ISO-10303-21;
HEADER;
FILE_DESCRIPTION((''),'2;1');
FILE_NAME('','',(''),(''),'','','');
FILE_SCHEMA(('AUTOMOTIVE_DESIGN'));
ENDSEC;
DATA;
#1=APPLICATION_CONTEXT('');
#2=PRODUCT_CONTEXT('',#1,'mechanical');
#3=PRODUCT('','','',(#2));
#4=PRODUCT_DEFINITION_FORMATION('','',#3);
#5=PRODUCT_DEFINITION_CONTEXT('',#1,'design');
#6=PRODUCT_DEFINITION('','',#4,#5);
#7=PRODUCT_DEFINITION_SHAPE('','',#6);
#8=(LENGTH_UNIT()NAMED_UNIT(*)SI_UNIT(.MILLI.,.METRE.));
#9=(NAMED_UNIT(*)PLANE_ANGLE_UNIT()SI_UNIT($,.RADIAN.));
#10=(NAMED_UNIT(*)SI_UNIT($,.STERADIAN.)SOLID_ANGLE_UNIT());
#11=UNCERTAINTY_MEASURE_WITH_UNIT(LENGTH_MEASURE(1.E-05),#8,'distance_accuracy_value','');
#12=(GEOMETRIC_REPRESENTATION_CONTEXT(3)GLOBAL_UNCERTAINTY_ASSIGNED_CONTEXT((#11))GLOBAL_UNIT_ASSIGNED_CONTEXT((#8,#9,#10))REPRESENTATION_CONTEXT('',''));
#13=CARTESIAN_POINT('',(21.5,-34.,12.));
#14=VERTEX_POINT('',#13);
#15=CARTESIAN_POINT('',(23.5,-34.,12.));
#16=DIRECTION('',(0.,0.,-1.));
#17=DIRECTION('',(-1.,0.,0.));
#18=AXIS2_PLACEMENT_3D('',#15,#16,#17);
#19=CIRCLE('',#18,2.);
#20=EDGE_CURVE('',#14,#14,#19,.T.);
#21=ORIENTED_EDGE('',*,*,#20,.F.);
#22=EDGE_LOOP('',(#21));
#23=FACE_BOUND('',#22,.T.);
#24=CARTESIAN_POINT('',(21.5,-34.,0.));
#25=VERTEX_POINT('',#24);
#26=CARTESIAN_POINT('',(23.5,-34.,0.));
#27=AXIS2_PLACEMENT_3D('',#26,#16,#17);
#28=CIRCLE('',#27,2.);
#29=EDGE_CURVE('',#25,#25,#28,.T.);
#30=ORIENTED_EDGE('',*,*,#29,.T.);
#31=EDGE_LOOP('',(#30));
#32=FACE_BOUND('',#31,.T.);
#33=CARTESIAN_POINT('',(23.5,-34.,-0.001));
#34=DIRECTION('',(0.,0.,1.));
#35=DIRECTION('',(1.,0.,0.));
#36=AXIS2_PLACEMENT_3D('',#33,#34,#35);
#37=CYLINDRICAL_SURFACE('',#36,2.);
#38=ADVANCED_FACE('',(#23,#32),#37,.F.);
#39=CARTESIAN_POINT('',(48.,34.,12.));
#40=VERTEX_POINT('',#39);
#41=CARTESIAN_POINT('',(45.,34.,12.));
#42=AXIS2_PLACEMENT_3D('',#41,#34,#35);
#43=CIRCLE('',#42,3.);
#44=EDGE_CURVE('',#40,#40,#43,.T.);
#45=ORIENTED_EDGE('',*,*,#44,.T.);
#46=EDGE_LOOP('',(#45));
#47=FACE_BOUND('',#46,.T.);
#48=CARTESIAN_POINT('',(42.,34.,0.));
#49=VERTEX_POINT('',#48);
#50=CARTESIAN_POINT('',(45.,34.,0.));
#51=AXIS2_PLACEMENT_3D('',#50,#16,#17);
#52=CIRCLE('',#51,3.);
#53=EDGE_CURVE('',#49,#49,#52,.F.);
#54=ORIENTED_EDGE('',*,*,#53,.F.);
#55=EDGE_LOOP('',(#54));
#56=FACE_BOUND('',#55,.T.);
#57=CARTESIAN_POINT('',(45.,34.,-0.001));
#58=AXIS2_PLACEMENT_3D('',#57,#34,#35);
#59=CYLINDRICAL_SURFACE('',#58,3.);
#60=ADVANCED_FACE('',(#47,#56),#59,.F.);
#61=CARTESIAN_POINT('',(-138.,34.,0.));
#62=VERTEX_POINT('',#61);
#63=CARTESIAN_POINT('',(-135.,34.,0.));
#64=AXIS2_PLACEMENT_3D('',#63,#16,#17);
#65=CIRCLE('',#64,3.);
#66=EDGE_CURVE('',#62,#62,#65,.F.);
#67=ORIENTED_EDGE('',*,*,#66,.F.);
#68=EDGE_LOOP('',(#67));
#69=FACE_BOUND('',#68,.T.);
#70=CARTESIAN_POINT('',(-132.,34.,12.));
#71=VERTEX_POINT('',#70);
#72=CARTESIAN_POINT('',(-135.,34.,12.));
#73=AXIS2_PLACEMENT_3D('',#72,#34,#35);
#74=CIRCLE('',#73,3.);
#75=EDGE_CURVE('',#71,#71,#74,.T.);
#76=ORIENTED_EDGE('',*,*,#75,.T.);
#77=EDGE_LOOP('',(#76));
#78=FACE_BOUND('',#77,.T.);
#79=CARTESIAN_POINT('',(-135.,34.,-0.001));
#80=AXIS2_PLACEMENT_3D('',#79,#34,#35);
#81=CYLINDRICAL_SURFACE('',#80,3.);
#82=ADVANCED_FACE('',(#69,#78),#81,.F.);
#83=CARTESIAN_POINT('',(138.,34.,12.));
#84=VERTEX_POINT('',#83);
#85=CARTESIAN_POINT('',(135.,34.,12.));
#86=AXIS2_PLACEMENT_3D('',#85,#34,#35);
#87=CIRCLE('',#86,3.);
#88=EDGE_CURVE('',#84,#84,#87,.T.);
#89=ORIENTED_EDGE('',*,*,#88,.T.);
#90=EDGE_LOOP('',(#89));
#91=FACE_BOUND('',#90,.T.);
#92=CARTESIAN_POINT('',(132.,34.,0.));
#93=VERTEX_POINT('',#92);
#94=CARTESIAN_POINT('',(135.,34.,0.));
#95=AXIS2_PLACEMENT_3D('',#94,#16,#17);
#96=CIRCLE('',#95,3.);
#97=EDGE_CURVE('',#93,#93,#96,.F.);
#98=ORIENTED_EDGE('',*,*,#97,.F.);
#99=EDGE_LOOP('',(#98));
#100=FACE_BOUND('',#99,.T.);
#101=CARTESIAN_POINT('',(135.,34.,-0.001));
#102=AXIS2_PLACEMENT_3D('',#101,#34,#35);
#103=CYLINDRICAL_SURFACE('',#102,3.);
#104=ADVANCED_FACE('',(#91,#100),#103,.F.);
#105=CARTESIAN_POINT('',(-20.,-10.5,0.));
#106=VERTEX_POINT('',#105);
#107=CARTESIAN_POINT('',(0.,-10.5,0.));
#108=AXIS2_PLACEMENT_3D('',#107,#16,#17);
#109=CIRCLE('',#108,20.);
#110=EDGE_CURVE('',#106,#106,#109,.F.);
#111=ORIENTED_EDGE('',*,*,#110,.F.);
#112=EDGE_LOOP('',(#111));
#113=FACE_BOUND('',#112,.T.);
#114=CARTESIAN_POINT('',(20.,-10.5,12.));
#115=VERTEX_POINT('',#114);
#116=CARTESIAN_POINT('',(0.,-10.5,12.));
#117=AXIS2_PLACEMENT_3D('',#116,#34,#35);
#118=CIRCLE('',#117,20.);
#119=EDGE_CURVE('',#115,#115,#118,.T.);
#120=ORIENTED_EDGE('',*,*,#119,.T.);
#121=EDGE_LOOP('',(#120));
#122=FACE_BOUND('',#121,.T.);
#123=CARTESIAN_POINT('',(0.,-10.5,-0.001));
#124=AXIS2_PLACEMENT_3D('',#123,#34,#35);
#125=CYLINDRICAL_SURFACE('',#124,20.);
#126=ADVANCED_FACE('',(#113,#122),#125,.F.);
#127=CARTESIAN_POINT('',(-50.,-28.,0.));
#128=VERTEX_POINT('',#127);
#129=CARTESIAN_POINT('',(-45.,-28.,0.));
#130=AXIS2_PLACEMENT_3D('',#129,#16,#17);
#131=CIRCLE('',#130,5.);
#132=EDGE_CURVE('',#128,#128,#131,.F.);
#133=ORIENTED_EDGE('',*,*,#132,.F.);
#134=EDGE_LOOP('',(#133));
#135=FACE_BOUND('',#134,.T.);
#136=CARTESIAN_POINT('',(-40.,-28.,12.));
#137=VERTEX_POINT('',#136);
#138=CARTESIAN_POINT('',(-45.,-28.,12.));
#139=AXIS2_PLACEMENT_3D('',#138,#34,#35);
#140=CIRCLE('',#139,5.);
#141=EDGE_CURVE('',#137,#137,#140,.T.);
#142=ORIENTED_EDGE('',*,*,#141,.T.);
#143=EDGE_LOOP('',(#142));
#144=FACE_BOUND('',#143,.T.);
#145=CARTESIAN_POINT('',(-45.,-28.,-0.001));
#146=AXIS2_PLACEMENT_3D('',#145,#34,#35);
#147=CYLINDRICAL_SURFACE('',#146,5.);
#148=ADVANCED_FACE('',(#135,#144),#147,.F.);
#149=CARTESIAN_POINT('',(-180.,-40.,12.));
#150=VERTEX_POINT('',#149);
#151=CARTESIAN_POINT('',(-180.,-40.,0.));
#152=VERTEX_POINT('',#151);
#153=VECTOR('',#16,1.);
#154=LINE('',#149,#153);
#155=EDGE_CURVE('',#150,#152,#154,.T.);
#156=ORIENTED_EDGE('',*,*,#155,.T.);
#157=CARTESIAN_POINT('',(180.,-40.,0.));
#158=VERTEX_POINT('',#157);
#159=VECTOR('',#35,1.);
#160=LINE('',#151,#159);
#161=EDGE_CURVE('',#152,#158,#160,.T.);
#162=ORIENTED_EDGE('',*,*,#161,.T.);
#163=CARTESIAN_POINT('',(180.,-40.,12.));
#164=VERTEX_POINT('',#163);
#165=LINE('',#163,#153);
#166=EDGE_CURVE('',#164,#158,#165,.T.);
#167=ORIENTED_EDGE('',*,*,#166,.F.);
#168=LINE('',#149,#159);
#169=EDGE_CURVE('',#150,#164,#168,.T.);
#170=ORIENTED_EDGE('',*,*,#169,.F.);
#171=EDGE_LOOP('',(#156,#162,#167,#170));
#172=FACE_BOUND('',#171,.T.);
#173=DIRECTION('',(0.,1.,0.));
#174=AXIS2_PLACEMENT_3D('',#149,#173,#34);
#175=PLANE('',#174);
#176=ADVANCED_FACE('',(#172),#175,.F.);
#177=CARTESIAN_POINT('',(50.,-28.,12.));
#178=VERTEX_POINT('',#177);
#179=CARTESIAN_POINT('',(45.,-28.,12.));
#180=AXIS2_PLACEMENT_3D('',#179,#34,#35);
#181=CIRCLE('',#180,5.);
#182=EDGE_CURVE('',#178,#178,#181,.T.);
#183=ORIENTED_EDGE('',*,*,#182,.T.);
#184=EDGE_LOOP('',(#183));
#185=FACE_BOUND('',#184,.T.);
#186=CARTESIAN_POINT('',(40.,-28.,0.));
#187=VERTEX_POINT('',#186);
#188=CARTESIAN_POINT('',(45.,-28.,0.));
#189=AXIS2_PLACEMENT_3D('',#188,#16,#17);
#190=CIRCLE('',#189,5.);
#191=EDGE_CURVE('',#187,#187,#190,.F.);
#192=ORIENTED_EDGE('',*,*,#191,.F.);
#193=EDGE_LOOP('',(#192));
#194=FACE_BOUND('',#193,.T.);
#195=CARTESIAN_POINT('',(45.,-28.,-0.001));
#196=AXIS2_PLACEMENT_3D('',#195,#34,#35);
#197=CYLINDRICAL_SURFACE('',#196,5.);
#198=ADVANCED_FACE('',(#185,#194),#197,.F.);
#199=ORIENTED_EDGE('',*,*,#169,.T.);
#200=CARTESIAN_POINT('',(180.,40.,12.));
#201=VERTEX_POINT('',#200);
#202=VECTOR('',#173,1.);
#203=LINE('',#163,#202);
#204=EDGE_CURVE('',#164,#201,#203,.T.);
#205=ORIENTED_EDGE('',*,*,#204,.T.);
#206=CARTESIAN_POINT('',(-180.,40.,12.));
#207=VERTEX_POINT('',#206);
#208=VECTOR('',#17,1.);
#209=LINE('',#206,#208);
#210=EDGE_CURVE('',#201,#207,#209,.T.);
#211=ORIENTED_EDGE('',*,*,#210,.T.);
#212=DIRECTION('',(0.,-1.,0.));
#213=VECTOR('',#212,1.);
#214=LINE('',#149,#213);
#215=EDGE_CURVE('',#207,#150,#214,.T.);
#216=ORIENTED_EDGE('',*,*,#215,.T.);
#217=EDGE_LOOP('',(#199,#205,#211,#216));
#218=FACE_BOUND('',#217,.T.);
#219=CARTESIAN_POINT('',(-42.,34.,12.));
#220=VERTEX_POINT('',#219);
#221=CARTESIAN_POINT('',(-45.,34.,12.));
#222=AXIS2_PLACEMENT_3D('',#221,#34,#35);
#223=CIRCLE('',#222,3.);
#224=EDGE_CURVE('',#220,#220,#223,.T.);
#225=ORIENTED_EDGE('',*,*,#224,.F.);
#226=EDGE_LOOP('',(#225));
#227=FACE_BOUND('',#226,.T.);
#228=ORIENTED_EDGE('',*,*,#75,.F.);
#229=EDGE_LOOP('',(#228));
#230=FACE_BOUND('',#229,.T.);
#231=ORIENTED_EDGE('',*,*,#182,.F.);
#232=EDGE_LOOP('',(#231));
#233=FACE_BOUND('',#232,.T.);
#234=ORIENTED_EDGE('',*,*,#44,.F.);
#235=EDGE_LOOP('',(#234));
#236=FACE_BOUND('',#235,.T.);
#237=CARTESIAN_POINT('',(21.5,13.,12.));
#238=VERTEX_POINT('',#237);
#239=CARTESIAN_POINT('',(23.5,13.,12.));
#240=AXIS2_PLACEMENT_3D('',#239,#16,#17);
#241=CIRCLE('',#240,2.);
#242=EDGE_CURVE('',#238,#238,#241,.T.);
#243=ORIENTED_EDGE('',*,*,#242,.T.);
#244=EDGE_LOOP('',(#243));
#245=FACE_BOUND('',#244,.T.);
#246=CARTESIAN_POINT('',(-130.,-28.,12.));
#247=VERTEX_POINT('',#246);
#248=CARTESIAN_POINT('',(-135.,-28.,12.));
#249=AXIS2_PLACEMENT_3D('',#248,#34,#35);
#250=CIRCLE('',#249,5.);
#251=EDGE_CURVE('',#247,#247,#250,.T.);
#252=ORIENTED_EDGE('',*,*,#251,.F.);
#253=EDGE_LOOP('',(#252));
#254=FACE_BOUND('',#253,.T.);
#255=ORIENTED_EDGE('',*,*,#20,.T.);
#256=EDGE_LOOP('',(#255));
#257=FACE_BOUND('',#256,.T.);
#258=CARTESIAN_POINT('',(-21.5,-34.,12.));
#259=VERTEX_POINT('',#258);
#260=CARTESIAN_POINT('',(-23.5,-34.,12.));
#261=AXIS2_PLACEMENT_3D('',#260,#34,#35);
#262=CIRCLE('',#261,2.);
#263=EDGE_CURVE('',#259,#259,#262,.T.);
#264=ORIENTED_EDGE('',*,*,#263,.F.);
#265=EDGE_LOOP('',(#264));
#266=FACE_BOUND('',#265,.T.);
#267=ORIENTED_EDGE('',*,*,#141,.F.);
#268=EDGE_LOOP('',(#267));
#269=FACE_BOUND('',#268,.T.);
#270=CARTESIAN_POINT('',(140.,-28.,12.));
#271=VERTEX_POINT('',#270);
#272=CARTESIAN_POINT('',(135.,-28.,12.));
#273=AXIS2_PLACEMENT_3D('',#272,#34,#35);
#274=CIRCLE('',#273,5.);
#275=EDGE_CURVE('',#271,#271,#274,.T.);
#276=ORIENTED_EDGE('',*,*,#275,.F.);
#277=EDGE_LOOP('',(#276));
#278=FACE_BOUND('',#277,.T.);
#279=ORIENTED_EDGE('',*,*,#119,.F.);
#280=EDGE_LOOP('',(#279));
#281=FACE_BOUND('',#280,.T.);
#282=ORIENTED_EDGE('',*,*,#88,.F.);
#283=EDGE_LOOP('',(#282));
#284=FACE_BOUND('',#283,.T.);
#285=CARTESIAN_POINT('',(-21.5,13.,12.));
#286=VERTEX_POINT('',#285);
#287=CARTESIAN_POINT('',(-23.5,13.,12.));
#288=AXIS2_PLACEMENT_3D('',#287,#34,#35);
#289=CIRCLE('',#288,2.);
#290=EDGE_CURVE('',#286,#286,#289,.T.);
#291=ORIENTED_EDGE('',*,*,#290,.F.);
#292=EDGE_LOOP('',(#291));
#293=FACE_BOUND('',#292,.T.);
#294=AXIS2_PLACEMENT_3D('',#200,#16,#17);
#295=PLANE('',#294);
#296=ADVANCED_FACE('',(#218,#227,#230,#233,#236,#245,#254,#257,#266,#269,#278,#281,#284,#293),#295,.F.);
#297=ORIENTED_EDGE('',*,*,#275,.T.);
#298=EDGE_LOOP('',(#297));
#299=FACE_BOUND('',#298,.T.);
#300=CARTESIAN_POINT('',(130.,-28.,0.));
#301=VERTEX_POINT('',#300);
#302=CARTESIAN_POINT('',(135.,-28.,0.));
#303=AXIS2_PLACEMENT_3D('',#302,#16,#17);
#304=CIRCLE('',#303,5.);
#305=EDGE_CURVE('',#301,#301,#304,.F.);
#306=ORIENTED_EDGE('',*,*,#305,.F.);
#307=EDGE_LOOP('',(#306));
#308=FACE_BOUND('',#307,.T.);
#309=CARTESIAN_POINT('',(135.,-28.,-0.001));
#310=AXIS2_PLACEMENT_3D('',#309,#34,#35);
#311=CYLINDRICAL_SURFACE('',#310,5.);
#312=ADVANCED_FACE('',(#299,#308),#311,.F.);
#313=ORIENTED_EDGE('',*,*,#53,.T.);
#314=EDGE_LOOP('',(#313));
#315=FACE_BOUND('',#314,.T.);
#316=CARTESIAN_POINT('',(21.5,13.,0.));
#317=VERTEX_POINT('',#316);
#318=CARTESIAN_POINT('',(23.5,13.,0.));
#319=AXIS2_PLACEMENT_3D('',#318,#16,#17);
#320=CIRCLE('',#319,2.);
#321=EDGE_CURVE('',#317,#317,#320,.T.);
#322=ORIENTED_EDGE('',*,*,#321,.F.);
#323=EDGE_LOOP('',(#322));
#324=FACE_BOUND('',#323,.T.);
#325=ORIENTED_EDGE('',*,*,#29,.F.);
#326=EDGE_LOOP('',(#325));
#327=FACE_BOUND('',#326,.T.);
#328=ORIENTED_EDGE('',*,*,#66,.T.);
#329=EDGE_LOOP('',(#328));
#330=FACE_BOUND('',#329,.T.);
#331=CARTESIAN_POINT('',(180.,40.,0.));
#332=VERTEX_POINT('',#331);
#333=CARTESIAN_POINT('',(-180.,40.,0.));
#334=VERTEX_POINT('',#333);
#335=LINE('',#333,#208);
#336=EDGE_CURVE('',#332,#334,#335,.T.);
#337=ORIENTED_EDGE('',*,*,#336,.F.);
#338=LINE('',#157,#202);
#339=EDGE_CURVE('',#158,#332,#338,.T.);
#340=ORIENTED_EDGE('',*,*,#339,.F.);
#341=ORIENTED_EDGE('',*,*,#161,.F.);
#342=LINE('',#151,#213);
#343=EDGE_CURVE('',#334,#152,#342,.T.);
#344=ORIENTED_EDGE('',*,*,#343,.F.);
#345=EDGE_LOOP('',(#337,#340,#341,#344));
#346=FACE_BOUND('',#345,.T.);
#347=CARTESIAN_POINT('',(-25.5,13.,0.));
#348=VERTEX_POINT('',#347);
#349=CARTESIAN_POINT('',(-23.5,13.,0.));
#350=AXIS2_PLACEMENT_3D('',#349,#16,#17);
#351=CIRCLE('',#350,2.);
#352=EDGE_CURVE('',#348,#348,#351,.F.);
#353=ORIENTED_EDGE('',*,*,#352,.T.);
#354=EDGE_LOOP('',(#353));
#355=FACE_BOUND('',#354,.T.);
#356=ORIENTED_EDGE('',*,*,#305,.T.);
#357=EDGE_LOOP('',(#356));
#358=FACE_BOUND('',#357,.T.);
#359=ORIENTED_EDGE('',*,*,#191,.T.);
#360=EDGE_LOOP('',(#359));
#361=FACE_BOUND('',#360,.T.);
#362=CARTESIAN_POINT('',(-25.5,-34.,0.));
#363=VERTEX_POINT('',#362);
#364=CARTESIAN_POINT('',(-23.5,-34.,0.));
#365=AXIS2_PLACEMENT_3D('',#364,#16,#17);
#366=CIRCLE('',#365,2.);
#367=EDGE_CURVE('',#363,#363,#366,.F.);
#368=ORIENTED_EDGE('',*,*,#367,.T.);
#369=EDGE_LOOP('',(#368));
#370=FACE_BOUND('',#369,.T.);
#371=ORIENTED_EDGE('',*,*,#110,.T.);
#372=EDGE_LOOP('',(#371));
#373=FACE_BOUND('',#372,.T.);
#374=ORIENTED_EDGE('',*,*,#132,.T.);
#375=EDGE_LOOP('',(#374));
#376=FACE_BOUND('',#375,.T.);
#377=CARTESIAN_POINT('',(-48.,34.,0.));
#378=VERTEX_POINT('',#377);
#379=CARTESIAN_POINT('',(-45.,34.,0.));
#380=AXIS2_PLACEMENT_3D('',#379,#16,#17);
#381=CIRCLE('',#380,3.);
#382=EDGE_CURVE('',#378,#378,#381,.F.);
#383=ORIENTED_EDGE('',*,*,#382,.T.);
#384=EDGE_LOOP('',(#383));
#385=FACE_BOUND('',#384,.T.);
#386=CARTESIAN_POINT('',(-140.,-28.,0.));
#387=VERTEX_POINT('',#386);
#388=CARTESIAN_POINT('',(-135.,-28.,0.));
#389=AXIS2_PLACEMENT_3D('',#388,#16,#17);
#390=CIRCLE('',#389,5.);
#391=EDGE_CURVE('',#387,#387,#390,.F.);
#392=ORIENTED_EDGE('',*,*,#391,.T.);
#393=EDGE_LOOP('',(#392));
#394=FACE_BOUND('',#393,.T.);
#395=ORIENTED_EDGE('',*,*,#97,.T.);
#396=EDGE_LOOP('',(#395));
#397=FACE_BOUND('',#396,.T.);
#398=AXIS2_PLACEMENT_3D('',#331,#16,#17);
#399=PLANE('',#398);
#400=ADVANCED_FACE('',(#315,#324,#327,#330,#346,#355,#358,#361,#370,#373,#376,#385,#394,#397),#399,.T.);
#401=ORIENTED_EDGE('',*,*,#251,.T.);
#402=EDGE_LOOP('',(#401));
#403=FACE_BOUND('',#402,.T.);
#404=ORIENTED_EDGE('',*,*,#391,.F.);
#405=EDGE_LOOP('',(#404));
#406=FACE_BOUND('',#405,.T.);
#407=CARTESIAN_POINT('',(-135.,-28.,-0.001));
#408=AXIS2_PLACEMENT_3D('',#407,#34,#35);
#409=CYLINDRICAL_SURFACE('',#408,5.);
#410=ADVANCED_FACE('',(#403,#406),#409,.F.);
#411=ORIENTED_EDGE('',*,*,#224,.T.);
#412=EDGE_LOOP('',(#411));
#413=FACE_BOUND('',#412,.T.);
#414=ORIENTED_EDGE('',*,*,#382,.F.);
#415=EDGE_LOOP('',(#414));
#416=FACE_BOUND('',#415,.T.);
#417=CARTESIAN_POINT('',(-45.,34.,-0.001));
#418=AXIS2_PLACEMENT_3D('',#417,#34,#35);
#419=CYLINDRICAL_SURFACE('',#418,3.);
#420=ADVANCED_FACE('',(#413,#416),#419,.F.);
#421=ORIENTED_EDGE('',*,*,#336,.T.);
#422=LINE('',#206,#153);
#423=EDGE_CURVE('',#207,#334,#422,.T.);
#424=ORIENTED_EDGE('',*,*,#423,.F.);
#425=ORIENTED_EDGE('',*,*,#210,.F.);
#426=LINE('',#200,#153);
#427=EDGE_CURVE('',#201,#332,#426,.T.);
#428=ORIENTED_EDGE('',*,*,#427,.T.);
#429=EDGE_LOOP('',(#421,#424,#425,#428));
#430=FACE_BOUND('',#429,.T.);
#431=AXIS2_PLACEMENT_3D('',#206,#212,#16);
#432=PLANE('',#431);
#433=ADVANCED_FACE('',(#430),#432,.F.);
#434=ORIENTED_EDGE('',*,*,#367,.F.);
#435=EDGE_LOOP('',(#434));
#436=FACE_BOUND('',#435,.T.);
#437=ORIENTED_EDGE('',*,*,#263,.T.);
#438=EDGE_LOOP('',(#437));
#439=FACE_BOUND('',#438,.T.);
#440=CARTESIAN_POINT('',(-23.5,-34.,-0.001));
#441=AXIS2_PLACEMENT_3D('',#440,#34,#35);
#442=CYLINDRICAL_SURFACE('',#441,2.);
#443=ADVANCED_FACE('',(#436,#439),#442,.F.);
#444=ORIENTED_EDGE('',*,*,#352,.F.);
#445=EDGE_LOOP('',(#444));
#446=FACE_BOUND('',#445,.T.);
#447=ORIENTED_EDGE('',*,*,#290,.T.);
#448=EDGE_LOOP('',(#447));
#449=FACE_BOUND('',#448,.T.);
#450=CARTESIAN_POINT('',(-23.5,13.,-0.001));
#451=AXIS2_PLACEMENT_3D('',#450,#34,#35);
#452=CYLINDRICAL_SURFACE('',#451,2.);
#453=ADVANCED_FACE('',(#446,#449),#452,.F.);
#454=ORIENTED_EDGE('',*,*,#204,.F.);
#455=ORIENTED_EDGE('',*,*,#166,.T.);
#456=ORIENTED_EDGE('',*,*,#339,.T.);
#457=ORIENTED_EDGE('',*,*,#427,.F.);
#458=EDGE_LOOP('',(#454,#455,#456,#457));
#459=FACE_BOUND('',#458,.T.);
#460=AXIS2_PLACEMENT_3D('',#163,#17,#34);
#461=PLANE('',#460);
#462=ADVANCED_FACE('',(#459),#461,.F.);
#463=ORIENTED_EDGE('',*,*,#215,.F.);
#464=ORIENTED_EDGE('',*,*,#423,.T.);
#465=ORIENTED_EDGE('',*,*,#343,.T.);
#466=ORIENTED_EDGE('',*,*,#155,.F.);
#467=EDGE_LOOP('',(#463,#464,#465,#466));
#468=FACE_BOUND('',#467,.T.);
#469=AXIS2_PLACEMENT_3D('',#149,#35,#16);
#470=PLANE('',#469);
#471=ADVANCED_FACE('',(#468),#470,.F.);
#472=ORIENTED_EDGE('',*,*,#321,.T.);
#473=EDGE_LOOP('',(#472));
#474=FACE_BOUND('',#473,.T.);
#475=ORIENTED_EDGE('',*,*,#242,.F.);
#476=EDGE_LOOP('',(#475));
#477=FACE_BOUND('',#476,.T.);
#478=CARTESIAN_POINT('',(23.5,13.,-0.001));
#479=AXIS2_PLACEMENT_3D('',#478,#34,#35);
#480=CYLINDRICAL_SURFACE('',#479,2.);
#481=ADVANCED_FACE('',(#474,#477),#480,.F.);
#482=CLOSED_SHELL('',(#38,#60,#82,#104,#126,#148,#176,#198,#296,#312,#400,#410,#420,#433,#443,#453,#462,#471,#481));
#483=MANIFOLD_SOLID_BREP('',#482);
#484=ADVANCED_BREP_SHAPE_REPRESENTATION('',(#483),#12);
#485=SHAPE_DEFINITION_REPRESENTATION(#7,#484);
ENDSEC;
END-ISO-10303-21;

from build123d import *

# Parameters (mm, degrees)
SKETCH1_W           = 360
SKETCH1_H           = 80
BOSS_EXTRUDE1_DEPTH = 12
CUT_EXTRUDE1_REACH  = 186.781
SKETCH2_R           = 3
SKETCH2_R_2         = 5
LPATTERN1_COUNT     = 4
LPATTERN1_PITCH     = 90
CUT_EXTRUDE2_REACH  = 186.781
SKETCH3_R           = 20
CUT_EXTRUDE3_REACH  = 186.781
SKETCH4_R           = 2


with BuildPart() as part:
    # Sketch1 → Boss-Extrude1 (new body)
    with BuildSketch(Plane.XY):
        Rectangle(SKETCH1_W, SKETCH1_H)
    extrude(amount=BOSS_EXTRUDE1_DEPTH)

    # Sketch2 → Cut-Extrude1 (cut, up to next)
    with BuildSketch(Plane.XY.offset(12), mode=Mode.PRIVATE) as cut_extrude1_sk1:
        with Locations((135, 34)):
            Circle(SKETCH2_R)
    cut_extrude1_tool1 = extrude(cut_extrude1_sk1.sketch, amount=-CUT_EXTRUDE1_REACH, mode=Mode.PRIVATE) & part.part
    # Sketch2 → Cut-Extrude1 (cut, up to next)
    with BuildSketch(Plane.XY.offset(12), mode=Mode.PRIVATE) as cut_extrude1_sk2:
        with Locations((135, -28)):
            Circle(SKETCH2_R_2)
    cut_extrude1_tool2 = extrude(cut_extrude1_sk2.sketch, amount=-CUT_EXTRUDE1_REACH, mode=Mode.PRIVATE) & part.part
    cut_extrude1_1 = cut_extrude1_tool1.solids().sort_by_distance((135, 34, 12))[0]
    add(cut_extrude1_1, mode=Mode.SUBTRACT)
    cut_extrude1_2 = cut_extrude1_tool2.solids().sort_by_distance((135, -28, 12))[0]
    add(cut_extrude1_2, mode=Mode.SUBTRACT)
    cut_extrude1 = cut_extrude1_1 + cut_extrude1_2  # Cut-Extrude1 as one shape, for the pattern or mirror that repeats it

    # LPattern1: Cut-Extrude1 ×4
    with Locations(*[(-i * LPATTERN1_PITCH, 0, 0) for i in range(1, LPATTERN1_COUNT)]):
        add(cut_extrude1, mode=Mode.SUBTRACT)

    # Sketch3 → Cut-Extrude2 (cut, up to next)
    with BuildSketch(Plane.XY.offset(12), mode=Mode.PRIVATE) as cut_extrude2_sk1:
        with Locations((0, -10.5)):
            Circle(SKETCH3_R)
    cut_extrude2_tool1 = extrude(cut_extrude2_sk1.sketch, amount=-CUT_EXTRUDE2_REACH, mode=Mode.PRIVATE) & part.part
    add(cut_extrude2_tool1.solids().sort_by_distance((0, -10.5, 12))[0], mode=Mode.SUBTRACT)

    # Sketch4 → Cut-Extrude3 (cut, up to next)
    with BuildSketch(Plane.XY.offset(12), mode=Mode.PRIVATE) as cut_extrude3_sk1:
        with Locations((-23.5, 13)):
            Circle(SKETCH4_R)
    cut_extrude3_tool1 = extrude(cut_extrude3_sk1.sketch, amount=-CUT_EXTRUDE3_REACH, mode=Mode.PRIVATE) & part.part
    # Sketch4 → Cut-Extrude3 (cut, up to next)
    with BuildSketch(Plane.XY.offset(12), mode=Mode.PRIVATE) as cut_extrude3_sk2:
        with Locations((-23.5, -34)):
            Circle(SKETCH4_R)
    cut_extrude3_tool2 = extrude(cut_extrude3_sk2.sketch, amount=-CUT_EXTRUDE3_REACH, mode=Mode.PRIVATE) & part.part
    cut_extrude3_1 = cut_extrude3_tool1.solids().sort_by_distance((-23.5, 13, 12))[0]
    add(cut_extrude3_1, mode=Mode.SUBTRACT)
    cut_extrude3_2 = cut_extrude3_tool2.solids().sort_by_distance((-23.5, -34, 12))[0]
    add(cut_extrude3_2, mode=Mode.SUBTRACT)
    cut_extrude3 = cut_extrude3_1 + cut_extrude3_2  # Cut-Extrude3 as one shape, for the pattern or mirror that repeats it

    # Mirror2: Cut-Extrude3 across plane
    add(cut_extrude3.mirror(Plane(origin=(0, 0, 0), x_dir=(0, 0, 1), z_dir=(1, 0, 0))), mode=Mode.SUBTRACT)


solid = part.part
